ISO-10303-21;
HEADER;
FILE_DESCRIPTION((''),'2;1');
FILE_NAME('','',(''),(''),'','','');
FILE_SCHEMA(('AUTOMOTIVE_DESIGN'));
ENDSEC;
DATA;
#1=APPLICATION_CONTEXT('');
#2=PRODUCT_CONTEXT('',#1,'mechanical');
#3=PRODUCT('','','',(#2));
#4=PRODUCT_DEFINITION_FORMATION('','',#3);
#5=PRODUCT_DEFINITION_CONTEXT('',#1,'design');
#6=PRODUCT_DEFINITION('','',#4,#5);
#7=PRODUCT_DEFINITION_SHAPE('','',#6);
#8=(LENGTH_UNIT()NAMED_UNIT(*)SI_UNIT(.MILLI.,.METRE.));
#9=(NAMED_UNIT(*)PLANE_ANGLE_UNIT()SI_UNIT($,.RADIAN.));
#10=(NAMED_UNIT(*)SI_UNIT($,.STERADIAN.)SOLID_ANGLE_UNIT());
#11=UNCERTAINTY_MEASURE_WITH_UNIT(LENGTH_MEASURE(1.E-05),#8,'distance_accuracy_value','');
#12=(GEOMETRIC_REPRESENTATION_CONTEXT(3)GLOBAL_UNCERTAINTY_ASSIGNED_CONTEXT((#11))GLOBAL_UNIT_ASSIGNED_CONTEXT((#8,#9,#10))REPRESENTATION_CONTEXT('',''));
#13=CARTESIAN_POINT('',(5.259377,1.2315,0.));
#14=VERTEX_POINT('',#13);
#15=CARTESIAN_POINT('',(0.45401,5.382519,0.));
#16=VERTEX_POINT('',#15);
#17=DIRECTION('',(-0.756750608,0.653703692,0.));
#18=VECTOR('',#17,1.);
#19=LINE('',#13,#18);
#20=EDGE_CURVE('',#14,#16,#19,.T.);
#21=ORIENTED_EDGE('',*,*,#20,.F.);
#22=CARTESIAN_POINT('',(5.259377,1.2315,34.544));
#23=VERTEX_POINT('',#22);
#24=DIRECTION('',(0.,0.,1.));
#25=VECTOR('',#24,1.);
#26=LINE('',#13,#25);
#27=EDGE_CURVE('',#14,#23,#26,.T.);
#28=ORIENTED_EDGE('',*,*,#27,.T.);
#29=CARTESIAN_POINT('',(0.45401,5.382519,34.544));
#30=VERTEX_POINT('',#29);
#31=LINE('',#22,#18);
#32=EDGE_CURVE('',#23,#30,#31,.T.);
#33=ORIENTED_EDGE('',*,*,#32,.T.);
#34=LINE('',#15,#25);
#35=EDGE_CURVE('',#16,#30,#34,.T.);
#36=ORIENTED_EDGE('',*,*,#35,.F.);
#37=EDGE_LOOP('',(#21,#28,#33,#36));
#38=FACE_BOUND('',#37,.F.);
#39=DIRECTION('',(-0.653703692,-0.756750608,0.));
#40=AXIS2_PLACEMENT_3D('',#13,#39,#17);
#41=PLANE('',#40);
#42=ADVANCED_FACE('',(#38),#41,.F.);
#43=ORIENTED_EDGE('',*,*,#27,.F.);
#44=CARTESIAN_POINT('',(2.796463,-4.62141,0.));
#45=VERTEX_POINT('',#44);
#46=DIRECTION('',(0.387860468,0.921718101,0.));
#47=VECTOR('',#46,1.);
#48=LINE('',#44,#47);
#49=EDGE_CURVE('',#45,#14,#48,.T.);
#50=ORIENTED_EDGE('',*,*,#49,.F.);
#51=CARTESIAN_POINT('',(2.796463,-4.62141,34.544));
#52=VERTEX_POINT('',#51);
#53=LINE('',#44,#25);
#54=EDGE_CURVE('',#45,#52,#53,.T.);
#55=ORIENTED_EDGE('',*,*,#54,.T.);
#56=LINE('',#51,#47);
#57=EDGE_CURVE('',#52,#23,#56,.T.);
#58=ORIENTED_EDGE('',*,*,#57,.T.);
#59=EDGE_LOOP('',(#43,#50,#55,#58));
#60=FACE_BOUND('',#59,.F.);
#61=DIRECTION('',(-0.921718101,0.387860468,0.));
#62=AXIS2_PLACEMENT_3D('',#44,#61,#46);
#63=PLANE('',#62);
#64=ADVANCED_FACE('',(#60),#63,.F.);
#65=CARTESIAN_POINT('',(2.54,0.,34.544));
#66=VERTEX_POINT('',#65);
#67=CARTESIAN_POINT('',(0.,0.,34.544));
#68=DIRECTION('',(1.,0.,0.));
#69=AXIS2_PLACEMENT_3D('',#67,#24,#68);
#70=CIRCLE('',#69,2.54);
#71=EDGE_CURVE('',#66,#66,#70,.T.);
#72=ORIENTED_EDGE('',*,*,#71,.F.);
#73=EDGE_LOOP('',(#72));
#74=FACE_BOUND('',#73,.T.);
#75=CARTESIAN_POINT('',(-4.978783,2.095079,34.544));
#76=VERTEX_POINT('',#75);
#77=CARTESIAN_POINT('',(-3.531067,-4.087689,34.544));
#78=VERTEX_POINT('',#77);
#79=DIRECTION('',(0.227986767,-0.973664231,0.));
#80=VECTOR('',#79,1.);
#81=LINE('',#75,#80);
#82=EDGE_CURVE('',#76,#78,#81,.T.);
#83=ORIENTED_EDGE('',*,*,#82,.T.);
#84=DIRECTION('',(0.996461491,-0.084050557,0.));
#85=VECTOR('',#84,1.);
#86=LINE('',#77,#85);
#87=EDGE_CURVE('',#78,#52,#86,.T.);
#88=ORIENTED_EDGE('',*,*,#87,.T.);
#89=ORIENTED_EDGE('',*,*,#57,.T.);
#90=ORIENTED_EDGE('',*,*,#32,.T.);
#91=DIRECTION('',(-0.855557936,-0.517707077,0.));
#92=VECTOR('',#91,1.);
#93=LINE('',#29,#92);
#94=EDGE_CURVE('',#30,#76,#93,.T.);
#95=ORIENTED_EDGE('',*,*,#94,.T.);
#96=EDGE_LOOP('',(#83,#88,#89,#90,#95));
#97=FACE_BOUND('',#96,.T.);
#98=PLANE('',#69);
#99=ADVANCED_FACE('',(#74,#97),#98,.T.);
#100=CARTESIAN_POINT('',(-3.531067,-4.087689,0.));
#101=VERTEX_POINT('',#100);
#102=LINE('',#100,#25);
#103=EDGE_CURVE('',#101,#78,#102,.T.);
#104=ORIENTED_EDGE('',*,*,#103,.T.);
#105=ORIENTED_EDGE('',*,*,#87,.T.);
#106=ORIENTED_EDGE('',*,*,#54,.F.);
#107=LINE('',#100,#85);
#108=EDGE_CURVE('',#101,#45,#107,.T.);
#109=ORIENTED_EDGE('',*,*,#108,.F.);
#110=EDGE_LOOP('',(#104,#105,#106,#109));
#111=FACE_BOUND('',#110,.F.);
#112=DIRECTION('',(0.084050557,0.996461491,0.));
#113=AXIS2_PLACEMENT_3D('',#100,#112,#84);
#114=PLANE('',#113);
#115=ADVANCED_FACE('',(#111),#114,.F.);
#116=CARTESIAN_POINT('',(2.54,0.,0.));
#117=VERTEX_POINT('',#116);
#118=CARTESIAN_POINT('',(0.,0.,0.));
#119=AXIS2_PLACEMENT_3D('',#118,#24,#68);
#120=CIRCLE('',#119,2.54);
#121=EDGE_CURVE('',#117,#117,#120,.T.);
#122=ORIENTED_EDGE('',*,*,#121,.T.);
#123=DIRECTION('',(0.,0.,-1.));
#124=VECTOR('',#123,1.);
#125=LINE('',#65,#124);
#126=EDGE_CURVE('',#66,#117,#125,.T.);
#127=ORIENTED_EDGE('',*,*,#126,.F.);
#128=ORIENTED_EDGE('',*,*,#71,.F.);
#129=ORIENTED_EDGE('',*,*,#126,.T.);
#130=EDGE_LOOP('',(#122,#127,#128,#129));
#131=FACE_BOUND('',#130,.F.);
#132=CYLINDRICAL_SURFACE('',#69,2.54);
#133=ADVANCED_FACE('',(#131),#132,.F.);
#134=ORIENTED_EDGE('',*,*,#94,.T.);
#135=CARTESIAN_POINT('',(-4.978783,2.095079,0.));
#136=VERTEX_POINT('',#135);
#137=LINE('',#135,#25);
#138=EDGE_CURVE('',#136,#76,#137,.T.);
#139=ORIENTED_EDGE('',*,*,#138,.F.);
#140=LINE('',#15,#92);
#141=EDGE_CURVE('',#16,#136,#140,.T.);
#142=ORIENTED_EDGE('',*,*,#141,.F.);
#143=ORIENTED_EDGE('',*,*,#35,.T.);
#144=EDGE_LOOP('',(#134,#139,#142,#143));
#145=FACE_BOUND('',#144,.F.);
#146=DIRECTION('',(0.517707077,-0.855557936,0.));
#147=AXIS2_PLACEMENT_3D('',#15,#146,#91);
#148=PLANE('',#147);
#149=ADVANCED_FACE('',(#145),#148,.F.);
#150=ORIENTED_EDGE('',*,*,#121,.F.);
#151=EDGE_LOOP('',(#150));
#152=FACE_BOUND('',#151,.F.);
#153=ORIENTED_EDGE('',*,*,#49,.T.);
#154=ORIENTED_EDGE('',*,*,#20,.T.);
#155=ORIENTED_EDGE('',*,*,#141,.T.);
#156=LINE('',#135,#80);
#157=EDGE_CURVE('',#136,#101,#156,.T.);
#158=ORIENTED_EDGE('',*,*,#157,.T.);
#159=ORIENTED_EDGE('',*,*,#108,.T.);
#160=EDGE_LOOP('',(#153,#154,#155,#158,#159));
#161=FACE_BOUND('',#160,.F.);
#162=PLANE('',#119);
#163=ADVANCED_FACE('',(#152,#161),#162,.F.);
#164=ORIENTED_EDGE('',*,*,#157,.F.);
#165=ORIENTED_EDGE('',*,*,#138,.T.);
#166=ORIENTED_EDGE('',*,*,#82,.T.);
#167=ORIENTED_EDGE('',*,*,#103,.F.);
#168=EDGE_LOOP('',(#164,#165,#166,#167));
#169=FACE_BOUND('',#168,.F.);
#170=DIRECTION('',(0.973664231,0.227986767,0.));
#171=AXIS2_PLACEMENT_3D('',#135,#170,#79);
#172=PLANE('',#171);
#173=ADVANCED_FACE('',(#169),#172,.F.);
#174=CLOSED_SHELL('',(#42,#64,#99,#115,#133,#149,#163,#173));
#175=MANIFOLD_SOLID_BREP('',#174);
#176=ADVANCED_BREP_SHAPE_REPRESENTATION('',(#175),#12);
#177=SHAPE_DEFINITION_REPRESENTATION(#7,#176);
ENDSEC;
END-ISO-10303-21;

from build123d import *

# Parameters (mm, degrees)
F1_DEPTH = 34.544
F2_R     = 2.54
F3_DEPTH = 34.545


with BuildPart() as f1:
    # F0 (on Top) → F1 (new body)
    with BuildSketch(Plane.XY):
        Polygon((5.259377, 1.2315), (0.45401, 5.382519), (-4.978783, 2.095079), (-3.531067, -4.087689), (2.796463, -4.62141), align=None)
    extrude(amount=F1_DEPTH)

    # F2 (on face) → F3 (cut, through all)
    with BuildSketch(Plane.XY.offset(34.544)):
        Circle(F2_R)
    extrude(amount=-F3_DEPTH, mode=Mode.SUBTRACT)


solid = f1.part
